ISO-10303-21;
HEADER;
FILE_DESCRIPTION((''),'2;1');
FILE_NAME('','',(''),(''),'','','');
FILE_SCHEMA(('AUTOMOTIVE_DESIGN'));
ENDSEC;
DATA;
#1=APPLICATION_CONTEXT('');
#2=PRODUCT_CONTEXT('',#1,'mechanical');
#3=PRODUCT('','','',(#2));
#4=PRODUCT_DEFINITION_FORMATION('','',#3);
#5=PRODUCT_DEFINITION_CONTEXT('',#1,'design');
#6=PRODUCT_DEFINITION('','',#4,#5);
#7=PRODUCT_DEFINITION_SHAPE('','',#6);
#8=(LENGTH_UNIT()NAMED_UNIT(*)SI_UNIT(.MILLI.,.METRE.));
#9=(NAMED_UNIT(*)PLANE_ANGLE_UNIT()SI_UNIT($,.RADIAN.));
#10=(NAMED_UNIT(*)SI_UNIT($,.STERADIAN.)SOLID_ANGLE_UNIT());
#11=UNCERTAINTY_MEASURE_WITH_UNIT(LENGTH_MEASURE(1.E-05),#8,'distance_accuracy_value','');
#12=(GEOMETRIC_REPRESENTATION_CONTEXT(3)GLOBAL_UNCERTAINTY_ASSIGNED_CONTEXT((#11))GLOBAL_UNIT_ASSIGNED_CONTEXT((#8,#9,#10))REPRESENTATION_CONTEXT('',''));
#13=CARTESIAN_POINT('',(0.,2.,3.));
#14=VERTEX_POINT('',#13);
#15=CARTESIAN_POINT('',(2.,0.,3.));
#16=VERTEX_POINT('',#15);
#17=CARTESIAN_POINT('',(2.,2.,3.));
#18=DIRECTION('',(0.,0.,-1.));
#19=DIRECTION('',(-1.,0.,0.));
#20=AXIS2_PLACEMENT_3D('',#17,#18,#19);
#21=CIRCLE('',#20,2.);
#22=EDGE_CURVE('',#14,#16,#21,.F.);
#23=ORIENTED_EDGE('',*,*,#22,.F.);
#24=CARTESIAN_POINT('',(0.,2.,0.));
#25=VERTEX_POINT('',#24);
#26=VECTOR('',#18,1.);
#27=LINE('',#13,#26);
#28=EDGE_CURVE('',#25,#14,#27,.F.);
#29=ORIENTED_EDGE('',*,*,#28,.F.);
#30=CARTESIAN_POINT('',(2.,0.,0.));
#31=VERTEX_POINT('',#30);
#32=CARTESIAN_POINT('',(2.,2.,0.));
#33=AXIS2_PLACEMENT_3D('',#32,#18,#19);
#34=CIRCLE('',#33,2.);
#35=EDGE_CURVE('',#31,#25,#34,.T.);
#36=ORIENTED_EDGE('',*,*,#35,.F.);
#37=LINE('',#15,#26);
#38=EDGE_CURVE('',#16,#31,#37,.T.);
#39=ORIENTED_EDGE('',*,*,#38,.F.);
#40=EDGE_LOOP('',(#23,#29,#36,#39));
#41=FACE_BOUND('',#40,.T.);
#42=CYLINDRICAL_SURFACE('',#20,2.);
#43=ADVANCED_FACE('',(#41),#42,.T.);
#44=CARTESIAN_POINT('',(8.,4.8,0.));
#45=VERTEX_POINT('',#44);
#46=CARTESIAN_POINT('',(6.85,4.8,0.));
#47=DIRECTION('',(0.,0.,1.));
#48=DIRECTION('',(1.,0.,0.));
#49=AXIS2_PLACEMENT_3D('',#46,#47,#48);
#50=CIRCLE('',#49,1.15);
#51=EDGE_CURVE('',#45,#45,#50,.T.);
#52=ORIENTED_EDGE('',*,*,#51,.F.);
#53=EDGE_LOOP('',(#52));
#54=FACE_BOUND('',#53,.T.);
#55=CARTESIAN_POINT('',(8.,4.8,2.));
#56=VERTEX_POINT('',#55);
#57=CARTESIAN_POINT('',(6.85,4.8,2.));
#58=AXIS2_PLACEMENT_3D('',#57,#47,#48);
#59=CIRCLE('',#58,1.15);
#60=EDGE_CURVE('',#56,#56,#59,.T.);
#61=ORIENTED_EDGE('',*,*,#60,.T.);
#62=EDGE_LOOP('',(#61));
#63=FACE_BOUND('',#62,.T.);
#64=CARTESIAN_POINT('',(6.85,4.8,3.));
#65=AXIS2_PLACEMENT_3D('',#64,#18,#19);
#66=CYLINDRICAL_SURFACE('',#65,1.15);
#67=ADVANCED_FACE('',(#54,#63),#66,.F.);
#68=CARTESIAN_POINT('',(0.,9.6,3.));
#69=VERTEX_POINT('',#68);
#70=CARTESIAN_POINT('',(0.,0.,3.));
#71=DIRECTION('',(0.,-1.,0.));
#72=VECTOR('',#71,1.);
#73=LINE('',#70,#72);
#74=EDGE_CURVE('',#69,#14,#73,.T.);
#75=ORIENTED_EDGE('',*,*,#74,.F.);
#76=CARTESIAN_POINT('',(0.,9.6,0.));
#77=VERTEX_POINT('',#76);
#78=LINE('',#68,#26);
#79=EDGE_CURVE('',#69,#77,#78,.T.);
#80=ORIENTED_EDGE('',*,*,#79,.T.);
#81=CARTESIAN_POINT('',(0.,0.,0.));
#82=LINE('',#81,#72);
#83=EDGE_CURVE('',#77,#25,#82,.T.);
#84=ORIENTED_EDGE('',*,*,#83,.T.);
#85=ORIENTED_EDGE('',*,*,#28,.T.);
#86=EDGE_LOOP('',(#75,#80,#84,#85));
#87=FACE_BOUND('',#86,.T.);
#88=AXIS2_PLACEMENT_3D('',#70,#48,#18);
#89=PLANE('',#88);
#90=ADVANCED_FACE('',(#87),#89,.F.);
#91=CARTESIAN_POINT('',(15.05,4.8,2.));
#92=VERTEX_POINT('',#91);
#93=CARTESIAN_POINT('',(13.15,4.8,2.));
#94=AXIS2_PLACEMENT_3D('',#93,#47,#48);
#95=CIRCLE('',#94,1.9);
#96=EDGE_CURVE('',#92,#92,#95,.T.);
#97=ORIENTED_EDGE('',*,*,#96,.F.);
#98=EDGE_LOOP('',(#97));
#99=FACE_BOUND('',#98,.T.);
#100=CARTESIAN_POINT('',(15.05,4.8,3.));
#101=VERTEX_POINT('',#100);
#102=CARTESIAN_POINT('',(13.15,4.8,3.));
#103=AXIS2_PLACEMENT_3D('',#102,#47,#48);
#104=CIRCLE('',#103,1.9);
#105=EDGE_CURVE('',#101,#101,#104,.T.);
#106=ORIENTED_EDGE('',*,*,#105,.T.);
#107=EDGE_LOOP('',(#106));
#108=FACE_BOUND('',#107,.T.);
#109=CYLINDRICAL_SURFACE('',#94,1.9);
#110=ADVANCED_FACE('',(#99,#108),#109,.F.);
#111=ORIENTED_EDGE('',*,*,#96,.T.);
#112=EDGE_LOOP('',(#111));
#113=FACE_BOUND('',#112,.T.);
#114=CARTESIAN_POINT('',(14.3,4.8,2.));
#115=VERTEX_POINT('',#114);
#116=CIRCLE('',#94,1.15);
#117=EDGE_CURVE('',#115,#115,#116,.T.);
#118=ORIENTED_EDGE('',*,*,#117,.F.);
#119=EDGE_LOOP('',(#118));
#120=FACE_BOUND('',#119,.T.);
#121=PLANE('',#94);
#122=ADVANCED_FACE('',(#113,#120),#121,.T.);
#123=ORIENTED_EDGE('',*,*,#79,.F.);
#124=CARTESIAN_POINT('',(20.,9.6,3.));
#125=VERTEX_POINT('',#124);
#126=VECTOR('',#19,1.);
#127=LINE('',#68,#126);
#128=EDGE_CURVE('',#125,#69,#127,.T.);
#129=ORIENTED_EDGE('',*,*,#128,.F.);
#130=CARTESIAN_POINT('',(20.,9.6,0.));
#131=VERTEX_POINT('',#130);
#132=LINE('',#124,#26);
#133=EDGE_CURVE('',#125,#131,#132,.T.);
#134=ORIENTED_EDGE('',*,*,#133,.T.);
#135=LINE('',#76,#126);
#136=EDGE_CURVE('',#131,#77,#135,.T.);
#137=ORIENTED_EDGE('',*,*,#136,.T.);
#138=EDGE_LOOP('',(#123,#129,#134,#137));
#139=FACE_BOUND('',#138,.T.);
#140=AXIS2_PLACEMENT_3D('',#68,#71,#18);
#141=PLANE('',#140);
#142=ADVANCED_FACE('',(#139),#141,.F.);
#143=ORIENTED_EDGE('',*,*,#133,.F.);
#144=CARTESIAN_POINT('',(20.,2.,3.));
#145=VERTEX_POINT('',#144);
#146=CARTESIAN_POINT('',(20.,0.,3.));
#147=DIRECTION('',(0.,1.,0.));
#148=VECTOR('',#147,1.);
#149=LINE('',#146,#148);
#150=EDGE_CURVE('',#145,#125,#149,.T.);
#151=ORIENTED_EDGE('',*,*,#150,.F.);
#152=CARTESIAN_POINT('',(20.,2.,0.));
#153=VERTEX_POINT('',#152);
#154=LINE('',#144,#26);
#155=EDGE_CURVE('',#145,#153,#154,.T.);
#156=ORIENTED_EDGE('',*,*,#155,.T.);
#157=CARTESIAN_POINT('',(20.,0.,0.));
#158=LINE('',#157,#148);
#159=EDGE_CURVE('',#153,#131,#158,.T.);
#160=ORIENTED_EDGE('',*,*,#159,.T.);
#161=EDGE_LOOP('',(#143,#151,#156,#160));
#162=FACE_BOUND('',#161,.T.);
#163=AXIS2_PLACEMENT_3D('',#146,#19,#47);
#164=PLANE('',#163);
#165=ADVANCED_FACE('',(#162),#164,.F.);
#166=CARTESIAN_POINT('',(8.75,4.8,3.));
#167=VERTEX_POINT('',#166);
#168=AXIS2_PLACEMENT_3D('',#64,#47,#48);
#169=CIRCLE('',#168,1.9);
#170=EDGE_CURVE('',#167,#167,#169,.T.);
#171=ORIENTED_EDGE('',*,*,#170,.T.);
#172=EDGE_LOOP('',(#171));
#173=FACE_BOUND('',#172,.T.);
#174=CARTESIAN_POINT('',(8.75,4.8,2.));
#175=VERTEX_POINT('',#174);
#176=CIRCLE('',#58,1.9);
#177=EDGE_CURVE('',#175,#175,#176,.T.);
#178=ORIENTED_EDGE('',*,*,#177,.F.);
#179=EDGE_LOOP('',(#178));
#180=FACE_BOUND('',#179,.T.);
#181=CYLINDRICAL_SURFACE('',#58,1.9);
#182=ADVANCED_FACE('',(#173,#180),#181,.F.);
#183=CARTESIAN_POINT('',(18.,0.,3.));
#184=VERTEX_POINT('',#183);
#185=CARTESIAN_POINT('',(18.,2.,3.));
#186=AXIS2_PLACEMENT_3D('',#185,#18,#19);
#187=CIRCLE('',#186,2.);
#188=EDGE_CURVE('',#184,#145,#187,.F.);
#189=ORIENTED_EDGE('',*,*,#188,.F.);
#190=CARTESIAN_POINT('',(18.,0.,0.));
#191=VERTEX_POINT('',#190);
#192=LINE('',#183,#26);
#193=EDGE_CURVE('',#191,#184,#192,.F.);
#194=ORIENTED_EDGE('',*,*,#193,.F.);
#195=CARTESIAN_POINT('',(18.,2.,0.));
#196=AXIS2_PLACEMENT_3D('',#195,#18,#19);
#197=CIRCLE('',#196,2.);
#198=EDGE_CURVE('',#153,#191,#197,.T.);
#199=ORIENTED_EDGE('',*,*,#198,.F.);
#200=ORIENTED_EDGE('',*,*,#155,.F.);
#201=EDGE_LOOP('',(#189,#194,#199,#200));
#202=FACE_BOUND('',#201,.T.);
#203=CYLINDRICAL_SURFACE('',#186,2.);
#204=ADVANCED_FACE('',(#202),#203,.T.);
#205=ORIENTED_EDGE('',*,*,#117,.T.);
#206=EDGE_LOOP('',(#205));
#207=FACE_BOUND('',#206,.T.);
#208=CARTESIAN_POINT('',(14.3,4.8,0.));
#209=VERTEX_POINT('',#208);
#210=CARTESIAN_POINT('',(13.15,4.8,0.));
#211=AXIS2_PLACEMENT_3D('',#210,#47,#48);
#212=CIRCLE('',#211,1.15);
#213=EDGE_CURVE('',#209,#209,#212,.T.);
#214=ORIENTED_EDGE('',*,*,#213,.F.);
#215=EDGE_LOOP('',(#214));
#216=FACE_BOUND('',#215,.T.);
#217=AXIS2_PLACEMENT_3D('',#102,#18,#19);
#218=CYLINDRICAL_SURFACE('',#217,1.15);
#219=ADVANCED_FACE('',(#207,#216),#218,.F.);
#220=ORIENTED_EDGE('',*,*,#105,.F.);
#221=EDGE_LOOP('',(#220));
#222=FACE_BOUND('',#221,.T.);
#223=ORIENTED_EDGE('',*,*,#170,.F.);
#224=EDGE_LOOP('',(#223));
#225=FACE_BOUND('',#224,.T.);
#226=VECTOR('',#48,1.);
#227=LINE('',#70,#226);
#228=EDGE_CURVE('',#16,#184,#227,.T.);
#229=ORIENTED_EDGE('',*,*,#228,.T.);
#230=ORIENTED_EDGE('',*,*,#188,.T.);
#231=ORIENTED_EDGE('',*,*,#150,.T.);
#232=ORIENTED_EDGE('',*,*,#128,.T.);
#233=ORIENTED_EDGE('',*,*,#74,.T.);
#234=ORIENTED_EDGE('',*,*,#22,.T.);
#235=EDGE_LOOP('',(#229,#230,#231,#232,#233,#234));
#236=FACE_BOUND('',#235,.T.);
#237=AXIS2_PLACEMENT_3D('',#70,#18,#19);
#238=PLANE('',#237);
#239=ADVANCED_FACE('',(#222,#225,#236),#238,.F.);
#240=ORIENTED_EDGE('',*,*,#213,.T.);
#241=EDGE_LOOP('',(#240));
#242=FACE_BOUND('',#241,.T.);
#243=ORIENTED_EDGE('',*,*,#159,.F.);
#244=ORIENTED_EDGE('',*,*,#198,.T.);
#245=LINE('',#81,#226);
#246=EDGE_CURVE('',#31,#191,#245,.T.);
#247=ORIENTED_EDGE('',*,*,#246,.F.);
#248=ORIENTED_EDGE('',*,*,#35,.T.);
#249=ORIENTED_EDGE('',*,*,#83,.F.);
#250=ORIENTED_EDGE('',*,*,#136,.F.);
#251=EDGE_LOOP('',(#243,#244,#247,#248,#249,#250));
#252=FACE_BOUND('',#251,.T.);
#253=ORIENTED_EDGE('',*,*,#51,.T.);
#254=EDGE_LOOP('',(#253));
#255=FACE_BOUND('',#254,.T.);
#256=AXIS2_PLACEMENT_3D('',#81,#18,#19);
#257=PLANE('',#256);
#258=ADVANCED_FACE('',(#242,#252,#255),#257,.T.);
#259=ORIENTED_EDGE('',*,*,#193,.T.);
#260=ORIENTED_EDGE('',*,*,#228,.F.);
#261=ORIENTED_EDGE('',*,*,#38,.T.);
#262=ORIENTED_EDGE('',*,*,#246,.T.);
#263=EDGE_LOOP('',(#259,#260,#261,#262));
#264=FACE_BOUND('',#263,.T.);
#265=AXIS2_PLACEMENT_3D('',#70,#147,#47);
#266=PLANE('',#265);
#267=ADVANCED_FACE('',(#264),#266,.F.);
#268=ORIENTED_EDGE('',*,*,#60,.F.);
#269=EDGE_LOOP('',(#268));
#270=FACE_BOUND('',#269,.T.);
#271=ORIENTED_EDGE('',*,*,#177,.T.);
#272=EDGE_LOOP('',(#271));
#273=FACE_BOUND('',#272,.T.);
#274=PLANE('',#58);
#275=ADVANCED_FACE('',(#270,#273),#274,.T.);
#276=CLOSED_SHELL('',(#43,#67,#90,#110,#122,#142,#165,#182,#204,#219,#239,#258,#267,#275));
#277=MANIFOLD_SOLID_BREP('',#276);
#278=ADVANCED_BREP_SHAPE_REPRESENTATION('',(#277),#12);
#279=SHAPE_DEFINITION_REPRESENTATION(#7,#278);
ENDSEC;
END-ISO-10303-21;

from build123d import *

# Parameters (mm, degrees)
SKETCH1_W           = 20
SKETCH1_H           = 9.6
SKETCH1_R           = 1.15
BOSS_EXTRUDE1_DEPTH = 3
FILLET1_R           = 2
SKETCH2_R           = 1.9
CUT_EXTRUDE1_DEPTH  = 1


with BuildPart() as part:
    # Sketch1 → Boss-Extrude1 (new body)
    with BuildSketch(Plane.XY):
        with Locations((10, 4.8)):
            Rectangle(SKETCH1_W, SKETCH1_H)
        with Locations((6.85, 4.8)):
            Circle(SKETCH1_R, mode=Mode.SUBTRACT)
        with Locations((13.15, 4.8)):
            Circle(SKETCH1_R, mode=Mode.SUBTRACT)
    extrude(amount=BOSS_EXTRUDE1_DEPTH)

    # Fillet1
    fillet1_edges = [part.edges().sort_by_distance(p)[0] for p in [
        (20, 0, 1.5),
        (0, 0, 1.5),
    ]]
    fillet(fillet1_edges, radius=FILLET1_R)

    # Sketch2 → Cut-Extrude1 (cut)
    with BuildSketch(Plane.XY.offset(3)):
        with Locations((6.85, 4.8)):
            Circle(SKETCH2_R)
        with Locations((13.15, 4.8)):
            Circle(SKETCH2_R)
    extrude(amount=-CUT_EXTRUDE1_DEPTH, mode=Mode.SUBTRACT)


solid = part.part
